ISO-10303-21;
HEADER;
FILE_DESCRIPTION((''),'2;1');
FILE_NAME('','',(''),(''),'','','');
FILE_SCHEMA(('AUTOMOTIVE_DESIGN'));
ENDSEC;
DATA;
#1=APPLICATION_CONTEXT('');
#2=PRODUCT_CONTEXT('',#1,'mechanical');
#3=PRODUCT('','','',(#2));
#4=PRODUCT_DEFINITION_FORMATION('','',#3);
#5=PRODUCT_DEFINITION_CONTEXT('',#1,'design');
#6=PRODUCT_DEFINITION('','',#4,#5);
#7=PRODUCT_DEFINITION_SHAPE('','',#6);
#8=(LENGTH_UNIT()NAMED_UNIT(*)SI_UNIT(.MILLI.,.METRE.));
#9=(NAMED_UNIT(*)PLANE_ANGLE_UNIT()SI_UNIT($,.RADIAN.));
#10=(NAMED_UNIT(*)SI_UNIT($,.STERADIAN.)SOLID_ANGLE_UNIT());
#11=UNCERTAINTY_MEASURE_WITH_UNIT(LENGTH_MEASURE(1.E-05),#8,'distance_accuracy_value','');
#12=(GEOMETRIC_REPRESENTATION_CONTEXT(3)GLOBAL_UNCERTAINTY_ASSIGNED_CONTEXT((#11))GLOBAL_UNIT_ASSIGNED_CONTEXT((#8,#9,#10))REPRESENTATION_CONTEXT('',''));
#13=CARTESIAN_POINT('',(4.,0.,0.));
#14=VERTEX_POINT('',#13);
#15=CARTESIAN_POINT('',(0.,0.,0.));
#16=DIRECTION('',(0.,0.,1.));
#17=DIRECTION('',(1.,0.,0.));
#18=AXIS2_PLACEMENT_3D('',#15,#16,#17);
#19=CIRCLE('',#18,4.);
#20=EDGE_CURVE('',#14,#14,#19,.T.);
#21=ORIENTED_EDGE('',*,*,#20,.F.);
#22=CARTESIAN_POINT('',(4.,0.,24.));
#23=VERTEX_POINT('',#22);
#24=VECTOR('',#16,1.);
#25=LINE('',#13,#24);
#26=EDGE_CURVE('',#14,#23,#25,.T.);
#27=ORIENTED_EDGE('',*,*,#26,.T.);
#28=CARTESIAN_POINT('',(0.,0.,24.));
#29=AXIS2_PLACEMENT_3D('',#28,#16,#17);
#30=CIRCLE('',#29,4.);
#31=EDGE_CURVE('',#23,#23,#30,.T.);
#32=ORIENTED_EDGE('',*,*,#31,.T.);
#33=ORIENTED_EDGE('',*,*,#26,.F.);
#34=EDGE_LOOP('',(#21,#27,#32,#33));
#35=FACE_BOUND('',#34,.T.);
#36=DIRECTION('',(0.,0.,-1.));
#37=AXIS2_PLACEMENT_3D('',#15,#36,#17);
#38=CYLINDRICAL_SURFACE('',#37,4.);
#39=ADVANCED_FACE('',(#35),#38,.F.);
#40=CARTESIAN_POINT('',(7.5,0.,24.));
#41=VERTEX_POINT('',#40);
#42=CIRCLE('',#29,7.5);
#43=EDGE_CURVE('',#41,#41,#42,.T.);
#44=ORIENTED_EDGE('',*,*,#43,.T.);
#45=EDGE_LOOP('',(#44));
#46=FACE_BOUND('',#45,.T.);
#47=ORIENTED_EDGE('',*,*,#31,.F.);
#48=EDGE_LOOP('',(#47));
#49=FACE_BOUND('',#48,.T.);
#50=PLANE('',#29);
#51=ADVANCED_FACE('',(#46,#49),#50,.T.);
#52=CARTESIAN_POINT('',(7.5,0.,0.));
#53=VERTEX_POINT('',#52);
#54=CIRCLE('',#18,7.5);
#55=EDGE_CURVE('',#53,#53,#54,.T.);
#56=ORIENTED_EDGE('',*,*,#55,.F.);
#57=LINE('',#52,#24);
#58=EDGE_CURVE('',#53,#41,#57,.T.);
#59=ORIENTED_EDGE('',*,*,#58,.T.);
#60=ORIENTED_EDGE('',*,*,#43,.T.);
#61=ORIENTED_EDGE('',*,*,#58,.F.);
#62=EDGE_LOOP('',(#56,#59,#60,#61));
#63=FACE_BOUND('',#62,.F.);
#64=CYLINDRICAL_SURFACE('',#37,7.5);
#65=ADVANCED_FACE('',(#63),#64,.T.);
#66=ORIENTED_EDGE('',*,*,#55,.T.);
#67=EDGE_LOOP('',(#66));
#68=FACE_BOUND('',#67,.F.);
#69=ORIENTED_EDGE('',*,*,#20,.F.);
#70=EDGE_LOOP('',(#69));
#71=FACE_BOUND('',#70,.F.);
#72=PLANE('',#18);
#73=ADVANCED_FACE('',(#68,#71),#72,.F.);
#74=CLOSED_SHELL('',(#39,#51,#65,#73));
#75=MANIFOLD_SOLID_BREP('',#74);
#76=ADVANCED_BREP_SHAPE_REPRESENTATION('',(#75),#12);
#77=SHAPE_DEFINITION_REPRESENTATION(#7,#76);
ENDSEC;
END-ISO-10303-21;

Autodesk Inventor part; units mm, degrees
ref_plane "YZ Plane" through (0, 0, 0) normal (1, 0, 0) x (0, 1, 0)
ref_plane "XZ Plane" through (0, 0, 0) normal (0, 1, 0) x (-1, 0, 0)
ref_plane "XY Plane" through (0, 0, 0) normal (0, 0, 1) x (1, 0, 0)
sketch "Sketch1" plane through (0, 0, 0) normal (0, 0, 1) x (1, 0, 0)
  circle A0 centre (0, 0) radius 4
  circle A1 centre (0, 0) radius 7.5
  dimension "d0" = 8
  dimension "d2" = 15
extrude "Extrusion1" add sketch "Sketch1" along normal blind 24
properties part number "LM08UU"
